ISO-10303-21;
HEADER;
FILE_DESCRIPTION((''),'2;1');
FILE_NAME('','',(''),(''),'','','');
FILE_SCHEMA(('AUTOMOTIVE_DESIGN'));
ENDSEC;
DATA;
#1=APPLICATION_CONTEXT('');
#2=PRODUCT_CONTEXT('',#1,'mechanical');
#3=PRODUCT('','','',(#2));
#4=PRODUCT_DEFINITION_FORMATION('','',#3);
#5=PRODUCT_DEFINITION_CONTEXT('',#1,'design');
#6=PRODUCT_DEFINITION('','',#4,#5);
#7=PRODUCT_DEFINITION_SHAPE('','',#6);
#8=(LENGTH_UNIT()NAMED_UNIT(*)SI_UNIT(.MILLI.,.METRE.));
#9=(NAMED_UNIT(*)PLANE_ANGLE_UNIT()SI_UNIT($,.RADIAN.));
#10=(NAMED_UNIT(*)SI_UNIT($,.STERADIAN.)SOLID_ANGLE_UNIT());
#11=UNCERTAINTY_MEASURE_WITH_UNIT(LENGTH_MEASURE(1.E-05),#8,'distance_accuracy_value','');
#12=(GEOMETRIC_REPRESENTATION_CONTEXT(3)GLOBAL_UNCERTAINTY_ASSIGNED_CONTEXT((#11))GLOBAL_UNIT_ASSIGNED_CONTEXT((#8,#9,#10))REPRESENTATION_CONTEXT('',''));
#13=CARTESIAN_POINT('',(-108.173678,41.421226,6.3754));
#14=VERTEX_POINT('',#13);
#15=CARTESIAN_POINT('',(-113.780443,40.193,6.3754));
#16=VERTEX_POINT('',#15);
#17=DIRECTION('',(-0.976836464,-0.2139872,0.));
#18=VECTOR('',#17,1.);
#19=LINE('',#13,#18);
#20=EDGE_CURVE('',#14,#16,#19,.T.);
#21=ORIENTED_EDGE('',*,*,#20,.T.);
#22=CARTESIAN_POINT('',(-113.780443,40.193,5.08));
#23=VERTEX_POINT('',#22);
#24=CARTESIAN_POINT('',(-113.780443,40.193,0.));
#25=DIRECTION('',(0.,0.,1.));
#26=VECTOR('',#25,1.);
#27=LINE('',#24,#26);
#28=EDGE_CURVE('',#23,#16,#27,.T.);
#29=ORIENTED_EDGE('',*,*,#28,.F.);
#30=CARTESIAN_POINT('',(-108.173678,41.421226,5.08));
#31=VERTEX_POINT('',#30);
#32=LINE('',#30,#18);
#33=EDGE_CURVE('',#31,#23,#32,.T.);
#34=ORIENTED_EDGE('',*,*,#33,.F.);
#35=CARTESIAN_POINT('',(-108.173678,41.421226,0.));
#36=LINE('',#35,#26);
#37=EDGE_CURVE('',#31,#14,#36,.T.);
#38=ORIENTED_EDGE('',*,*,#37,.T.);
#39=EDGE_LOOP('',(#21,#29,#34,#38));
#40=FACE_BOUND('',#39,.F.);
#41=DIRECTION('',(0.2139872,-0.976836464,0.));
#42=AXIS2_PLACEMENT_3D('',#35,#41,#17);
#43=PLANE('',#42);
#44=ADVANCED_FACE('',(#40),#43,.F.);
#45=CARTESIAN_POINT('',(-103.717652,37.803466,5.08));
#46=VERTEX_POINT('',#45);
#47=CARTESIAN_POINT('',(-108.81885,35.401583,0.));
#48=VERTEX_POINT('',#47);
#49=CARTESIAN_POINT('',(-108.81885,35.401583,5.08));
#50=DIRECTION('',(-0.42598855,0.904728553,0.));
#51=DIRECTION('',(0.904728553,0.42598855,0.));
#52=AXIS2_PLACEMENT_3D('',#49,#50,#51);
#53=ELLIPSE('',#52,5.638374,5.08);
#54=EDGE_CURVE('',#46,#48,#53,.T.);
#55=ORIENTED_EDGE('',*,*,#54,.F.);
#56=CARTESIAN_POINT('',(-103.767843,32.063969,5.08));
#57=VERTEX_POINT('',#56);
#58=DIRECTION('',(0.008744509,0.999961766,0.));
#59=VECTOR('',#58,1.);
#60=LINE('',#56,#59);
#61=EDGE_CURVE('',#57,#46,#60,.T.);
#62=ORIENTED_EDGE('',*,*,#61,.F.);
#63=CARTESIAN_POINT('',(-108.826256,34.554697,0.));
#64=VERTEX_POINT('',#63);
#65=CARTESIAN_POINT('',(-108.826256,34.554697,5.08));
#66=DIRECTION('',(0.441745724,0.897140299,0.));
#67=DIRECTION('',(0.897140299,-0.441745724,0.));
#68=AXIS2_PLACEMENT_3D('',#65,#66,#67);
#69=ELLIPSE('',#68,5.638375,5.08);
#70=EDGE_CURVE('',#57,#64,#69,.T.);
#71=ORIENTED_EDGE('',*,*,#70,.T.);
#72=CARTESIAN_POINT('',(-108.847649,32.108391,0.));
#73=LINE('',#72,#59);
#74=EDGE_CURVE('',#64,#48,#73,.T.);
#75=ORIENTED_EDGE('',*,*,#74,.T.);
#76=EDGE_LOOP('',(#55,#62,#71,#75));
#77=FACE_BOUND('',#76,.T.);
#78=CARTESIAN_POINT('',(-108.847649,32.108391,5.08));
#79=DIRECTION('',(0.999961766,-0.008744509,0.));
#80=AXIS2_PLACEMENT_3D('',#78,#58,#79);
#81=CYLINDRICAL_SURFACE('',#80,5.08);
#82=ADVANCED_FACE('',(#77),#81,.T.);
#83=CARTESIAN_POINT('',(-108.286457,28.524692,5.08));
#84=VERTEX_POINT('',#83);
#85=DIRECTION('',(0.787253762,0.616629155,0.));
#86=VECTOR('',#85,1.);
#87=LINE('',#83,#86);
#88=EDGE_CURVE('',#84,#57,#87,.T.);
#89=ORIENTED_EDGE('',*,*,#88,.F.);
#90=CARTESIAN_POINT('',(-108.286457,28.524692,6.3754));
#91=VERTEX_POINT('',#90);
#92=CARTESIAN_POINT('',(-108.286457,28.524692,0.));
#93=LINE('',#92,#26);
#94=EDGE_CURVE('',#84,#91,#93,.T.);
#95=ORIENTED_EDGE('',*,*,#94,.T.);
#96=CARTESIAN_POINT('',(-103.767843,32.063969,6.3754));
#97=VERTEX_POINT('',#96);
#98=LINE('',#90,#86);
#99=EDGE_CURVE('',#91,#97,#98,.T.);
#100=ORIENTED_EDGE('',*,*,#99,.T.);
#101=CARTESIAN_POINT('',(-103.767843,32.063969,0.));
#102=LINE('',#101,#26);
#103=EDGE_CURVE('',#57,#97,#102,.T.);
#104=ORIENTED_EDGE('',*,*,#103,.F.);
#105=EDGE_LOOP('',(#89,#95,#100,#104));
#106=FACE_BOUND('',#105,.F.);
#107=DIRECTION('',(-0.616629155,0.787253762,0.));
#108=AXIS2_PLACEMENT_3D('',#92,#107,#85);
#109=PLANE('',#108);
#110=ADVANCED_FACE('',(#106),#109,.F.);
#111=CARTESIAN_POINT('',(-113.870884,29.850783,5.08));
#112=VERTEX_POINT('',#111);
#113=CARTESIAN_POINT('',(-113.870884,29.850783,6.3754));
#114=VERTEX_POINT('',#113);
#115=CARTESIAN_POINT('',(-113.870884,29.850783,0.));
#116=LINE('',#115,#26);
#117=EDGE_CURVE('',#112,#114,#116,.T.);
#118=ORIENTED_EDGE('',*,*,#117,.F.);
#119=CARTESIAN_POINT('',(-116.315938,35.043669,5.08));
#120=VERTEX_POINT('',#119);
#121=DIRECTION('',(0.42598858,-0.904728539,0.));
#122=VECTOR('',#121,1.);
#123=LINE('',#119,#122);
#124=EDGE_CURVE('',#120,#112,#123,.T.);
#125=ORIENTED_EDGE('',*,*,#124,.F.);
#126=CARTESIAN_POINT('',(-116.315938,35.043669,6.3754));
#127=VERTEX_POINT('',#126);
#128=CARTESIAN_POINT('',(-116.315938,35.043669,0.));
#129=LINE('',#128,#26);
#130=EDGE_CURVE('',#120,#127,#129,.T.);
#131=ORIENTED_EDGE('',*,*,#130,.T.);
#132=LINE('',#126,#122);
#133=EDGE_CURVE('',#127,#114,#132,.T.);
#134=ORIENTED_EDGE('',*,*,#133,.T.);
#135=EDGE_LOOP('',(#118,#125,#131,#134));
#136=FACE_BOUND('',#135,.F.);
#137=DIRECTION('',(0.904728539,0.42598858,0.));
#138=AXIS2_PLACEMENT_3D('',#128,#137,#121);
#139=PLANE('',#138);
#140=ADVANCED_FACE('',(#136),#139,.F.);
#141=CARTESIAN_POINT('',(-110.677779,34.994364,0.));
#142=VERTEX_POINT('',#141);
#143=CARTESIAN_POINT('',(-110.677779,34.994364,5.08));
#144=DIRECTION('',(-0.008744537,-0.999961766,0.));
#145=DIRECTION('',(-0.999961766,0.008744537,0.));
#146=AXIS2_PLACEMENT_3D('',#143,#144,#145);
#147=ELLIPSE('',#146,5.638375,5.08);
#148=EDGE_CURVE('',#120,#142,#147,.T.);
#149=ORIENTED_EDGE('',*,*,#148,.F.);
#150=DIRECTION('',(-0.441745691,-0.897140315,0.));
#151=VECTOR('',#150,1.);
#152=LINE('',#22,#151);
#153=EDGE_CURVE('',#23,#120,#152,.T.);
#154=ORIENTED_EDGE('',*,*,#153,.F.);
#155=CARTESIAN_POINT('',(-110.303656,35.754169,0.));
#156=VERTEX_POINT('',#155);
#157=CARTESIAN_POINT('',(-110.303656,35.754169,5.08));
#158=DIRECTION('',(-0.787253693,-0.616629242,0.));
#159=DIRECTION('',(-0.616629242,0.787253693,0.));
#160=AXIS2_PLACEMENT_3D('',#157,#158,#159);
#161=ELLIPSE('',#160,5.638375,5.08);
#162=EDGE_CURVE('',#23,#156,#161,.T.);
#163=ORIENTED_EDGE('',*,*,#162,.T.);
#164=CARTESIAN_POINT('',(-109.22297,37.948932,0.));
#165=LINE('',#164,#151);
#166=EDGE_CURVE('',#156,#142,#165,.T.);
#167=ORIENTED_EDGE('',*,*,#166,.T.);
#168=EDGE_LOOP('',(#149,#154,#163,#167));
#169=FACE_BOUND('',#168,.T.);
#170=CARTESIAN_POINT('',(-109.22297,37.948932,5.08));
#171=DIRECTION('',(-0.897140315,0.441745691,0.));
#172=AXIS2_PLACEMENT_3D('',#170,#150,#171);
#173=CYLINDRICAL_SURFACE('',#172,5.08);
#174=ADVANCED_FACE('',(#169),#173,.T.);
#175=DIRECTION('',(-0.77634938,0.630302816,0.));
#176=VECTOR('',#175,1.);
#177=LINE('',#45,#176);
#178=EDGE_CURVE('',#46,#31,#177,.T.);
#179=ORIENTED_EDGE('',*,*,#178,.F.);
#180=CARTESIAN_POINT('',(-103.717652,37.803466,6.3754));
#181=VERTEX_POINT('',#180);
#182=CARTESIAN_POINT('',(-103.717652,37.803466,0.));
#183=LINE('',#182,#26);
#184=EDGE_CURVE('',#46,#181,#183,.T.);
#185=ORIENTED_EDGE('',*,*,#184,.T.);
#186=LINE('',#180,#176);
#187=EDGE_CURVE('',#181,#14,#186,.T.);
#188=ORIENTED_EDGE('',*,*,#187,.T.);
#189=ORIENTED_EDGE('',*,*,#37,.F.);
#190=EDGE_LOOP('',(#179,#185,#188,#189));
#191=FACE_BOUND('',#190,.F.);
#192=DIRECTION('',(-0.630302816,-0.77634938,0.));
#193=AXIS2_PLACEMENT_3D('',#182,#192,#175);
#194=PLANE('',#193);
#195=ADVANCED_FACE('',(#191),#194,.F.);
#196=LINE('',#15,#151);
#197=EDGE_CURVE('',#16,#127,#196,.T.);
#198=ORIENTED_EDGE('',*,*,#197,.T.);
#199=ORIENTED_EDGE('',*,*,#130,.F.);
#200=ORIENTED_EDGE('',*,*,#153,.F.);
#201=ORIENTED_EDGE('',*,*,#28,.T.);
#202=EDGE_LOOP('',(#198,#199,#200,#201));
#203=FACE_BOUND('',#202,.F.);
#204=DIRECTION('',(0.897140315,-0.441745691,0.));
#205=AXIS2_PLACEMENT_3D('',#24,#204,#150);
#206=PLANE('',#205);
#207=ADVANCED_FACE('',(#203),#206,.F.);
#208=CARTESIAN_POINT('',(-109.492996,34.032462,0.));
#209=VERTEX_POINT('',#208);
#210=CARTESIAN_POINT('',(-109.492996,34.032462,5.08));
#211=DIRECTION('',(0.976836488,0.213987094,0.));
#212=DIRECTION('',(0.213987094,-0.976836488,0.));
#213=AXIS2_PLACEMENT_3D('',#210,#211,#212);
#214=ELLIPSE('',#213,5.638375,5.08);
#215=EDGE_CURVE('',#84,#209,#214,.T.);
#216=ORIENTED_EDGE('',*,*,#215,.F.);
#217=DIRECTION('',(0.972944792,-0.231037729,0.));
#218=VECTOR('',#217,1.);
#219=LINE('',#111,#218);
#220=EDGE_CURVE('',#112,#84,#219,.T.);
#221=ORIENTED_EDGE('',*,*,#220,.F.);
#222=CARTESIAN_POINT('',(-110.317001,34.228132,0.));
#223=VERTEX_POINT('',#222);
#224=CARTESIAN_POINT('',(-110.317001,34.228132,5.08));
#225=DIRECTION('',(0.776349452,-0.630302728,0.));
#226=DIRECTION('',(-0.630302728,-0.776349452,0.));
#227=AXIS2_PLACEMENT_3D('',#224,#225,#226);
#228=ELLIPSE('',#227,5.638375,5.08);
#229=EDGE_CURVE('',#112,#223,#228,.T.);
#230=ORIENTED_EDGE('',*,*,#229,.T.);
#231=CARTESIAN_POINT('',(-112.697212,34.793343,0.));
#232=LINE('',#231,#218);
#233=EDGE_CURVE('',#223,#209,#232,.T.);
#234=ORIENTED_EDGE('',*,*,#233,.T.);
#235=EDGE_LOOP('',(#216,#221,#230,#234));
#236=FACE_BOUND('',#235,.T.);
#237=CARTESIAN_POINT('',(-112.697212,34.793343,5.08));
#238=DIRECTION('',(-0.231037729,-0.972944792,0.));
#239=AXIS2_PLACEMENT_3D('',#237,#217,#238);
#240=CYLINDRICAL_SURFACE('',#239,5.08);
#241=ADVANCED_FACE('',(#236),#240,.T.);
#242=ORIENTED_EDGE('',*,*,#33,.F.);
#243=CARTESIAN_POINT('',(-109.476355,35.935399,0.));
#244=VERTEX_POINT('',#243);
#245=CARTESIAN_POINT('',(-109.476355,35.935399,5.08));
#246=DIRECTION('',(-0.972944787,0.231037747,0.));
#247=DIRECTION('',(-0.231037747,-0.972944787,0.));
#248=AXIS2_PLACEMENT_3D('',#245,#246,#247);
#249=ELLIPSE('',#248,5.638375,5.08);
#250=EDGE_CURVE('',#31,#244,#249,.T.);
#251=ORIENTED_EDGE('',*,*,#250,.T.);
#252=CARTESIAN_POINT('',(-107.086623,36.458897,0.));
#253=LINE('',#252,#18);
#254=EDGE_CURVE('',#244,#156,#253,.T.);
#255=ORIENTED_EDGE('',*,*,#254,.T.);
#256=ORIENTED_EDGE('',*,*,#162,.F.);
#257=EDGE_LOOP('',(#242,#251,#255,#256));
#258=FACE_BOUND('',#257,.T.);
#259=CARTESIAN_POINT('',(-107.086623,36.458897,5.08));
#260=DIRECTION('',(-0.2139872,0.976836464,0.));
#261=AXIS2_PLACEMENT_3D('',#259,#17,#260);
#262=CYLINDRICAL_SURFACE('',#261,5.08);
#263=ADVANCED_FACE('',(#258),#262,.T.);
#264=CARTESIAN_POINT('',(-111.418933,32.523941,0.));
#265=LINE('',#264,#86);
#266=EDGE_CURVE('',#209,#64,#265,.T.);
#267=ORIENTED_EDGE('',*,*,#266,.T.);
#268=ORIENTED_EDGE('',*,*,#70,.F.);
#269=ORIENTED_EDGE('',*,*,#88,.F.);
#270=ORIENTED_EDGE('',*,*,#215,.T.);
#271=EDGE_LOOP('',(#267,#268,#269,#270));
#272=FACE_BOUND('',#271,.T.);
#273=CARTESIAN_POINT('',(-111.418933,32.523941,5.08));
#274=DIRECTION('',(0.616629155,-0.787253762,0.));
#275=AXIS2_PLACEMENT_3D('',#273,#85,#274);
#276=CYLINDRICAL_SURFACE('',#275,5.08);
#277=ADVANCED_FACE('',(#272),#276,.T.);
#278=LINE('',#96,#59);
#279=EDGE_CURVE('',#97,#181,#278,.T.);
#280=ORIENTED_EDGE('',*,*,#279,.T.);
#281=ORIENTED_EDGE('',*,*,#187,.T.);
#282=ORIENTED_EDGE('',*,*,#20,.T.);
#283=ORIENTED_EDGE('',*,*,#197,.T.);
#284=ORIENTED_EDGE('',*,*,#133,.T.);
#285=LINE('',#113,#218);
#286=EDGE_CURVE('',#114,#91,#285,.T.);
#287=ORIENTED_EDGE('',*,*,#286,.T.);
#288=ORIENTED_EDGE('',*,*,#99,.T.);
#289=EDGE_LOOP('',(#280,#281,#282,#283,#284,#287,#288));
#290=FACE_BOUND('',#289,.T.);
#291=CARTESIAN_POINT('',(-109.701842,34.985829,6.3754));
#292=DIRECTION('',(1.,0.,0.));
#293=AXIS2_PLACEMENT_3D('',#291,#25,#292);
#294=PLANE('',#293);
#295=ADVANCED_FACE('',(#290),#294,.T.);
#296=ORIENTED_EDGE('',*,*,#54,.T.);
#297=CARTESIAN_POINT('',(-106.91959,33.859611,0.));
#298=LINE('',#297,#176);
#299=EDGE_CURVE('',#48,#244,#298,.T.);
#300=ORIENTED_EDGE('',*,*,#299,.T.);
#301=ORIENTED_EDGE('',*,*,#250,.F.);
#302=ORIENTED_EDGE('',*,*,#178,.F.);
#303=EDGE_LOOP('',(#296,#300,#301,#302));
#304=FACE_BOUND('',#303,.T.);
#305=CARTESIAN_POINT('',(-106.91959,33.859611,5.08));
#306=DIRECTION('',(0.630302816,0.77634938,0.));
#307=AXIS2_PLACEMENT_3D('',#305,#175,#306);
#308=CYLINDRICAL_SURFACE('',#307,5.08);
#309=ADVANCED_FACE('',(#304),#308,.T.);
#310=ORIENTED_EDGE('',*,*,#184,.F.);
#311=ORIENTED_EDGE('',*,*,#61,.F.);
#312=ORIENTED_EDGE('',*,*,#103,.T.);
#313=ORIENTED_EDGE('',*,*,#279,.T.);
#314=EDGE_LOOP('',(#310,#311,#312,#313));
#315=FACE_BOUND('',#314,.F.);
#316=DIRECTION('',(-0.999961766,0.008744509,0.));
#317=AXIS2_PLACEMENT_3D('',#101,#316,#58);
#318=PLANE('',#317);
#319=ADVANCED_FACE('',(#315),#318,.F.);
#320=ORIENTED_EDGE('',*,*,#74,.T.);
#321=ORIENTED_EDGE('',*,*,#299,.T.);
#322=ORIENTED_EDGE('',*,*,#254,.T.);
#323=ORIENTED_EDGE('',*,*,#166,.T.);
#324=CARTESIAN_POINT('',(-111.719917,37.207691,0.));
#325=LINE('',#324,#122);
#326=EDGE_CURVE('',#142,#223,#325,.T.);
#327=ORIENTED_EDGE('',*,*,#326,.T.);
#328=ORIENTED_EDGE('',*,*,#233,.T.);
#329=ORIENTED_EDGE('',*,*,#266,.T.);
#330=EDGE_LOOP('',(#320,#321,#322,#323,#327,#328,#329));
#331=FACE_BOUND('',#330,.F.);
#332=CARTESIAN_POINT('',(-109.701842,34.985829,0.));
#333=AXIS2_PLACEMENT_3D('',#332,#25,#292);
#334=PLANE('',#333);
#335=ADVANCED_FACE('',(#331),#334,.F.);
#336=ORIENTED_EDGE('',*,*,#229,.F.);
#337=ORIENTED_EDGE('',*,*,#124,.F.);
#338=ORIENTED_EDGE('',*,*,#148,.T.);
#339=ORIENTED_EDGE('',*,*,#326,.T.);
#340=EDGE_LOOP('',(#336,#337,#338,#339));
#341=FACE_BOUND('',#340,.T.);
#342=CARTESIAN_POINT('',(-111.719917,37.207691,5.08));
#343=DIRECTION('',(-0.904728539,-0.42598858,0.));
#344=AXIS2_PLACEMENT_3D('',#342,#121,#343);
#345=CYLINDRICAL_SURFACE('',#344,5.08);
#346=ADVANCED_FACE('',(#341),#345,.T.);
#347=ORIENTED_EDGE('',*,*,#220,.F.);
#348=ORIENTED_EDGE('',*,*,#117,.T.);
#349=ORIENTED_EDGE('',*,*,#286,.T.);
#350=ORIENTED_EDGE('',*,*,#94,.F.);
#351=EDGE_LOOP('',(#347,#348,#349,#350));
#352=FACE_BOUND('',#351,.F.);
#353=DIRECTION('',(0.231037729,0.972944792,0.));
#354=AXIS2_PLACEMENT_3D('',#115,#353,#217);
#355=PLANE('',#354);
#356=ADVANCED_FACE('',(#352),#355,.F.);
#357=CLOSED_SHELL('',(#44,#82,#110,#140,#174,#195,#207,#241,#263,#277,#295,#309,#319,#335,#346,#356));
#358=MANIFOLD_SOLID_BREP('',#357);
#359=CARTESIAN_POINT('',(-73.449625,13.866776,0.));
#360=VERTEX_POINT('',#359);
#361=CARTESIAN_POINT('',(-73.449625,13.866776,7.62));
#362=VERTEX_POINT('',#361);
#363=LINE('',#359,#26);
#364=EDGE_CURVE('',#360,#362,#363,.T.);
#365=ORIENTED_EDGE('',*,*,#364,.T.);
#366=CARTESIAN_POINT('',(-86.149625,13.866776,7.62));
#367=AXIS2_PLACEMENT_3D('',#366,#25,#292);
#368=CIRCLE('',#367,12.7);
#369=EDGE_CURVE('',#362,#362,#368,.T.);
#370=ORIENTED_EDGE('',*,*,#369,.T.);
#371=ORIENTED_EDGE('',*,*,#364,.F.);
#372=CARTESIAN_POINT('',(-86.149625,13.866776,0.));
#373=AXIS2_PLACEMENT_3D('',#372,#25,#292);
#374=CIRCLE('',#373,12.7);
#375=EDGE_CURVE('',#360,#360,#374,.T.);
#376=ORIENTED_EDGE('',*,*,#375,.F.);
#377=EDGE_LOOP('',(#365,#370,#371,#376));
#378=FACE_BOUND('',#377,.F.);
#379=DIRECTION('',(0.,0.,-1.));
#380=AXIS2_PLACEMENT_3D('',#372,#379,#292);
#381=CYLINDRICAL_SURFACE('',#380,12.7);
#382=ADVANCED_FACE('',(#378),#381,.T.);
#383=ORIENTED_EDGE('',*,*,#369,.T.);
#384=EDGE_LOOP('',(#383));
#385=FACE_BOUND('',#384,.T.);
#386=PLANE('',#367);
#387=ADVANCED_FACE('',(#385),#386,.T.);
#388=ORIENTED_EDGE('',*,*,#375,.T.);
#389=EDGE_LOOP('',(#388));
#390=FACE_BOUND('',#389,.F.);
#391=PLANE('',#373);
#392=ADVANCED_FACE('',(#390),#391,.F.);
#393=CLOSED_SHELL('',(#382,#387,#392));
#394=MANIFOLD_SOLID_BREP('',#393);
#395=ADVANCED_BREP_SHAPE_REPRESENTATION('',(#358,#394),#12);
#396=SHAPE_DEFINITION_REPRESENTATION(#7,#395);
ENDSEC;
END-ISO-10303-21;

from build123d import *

# Parameters (mm, degrees)
F0_R     = 12.7
F1_DEPTH = 7.62
F3_DEPTH = 6.3754
F4_R     = 5.08


with BuildPart() as f1:
    # F0 (on Top) → F1 (new body)
    with BuildSketch(Plane.XY):
        with Locations((-86.149625, 13.866776)):
            Circle(F0_R)
    extrude(amount=F1_DEPTH)


with BuildPart() as f3:
    # F2 (on Top) → F3 (new body)
    with BuildSketch(Plane.XY):
        Polygon((-108.173678, 41.421226), (-113.780443, 40.193), (-116.315938, 35.043669), (-113.870884, 29.850783), (-108.286457, 28.524692), (-103.767843, 32.063969), (-103.717652, 37.803466), align=None)
    extrude(amount=F3_DEPTH)

    # F4
    f4_edges = [f3.edges().sort_by_distance(p)[0] for p in [
        (-110.97706, 40.807113, 0),
        (-115.048191, 37.618334, 0),
        (-115.093411, 32.447226, 0),
        (-111.07867, 29.187737, 0),
        (-106.02715, 30.29433, 0),
        (-103.742747, 34.933718, 0),
        (-105.945665, 39.612346, 0),
    ]]
    fillet(f4_edges, radius=F4_R)


solid = Compound([f1.part, f3.part])
